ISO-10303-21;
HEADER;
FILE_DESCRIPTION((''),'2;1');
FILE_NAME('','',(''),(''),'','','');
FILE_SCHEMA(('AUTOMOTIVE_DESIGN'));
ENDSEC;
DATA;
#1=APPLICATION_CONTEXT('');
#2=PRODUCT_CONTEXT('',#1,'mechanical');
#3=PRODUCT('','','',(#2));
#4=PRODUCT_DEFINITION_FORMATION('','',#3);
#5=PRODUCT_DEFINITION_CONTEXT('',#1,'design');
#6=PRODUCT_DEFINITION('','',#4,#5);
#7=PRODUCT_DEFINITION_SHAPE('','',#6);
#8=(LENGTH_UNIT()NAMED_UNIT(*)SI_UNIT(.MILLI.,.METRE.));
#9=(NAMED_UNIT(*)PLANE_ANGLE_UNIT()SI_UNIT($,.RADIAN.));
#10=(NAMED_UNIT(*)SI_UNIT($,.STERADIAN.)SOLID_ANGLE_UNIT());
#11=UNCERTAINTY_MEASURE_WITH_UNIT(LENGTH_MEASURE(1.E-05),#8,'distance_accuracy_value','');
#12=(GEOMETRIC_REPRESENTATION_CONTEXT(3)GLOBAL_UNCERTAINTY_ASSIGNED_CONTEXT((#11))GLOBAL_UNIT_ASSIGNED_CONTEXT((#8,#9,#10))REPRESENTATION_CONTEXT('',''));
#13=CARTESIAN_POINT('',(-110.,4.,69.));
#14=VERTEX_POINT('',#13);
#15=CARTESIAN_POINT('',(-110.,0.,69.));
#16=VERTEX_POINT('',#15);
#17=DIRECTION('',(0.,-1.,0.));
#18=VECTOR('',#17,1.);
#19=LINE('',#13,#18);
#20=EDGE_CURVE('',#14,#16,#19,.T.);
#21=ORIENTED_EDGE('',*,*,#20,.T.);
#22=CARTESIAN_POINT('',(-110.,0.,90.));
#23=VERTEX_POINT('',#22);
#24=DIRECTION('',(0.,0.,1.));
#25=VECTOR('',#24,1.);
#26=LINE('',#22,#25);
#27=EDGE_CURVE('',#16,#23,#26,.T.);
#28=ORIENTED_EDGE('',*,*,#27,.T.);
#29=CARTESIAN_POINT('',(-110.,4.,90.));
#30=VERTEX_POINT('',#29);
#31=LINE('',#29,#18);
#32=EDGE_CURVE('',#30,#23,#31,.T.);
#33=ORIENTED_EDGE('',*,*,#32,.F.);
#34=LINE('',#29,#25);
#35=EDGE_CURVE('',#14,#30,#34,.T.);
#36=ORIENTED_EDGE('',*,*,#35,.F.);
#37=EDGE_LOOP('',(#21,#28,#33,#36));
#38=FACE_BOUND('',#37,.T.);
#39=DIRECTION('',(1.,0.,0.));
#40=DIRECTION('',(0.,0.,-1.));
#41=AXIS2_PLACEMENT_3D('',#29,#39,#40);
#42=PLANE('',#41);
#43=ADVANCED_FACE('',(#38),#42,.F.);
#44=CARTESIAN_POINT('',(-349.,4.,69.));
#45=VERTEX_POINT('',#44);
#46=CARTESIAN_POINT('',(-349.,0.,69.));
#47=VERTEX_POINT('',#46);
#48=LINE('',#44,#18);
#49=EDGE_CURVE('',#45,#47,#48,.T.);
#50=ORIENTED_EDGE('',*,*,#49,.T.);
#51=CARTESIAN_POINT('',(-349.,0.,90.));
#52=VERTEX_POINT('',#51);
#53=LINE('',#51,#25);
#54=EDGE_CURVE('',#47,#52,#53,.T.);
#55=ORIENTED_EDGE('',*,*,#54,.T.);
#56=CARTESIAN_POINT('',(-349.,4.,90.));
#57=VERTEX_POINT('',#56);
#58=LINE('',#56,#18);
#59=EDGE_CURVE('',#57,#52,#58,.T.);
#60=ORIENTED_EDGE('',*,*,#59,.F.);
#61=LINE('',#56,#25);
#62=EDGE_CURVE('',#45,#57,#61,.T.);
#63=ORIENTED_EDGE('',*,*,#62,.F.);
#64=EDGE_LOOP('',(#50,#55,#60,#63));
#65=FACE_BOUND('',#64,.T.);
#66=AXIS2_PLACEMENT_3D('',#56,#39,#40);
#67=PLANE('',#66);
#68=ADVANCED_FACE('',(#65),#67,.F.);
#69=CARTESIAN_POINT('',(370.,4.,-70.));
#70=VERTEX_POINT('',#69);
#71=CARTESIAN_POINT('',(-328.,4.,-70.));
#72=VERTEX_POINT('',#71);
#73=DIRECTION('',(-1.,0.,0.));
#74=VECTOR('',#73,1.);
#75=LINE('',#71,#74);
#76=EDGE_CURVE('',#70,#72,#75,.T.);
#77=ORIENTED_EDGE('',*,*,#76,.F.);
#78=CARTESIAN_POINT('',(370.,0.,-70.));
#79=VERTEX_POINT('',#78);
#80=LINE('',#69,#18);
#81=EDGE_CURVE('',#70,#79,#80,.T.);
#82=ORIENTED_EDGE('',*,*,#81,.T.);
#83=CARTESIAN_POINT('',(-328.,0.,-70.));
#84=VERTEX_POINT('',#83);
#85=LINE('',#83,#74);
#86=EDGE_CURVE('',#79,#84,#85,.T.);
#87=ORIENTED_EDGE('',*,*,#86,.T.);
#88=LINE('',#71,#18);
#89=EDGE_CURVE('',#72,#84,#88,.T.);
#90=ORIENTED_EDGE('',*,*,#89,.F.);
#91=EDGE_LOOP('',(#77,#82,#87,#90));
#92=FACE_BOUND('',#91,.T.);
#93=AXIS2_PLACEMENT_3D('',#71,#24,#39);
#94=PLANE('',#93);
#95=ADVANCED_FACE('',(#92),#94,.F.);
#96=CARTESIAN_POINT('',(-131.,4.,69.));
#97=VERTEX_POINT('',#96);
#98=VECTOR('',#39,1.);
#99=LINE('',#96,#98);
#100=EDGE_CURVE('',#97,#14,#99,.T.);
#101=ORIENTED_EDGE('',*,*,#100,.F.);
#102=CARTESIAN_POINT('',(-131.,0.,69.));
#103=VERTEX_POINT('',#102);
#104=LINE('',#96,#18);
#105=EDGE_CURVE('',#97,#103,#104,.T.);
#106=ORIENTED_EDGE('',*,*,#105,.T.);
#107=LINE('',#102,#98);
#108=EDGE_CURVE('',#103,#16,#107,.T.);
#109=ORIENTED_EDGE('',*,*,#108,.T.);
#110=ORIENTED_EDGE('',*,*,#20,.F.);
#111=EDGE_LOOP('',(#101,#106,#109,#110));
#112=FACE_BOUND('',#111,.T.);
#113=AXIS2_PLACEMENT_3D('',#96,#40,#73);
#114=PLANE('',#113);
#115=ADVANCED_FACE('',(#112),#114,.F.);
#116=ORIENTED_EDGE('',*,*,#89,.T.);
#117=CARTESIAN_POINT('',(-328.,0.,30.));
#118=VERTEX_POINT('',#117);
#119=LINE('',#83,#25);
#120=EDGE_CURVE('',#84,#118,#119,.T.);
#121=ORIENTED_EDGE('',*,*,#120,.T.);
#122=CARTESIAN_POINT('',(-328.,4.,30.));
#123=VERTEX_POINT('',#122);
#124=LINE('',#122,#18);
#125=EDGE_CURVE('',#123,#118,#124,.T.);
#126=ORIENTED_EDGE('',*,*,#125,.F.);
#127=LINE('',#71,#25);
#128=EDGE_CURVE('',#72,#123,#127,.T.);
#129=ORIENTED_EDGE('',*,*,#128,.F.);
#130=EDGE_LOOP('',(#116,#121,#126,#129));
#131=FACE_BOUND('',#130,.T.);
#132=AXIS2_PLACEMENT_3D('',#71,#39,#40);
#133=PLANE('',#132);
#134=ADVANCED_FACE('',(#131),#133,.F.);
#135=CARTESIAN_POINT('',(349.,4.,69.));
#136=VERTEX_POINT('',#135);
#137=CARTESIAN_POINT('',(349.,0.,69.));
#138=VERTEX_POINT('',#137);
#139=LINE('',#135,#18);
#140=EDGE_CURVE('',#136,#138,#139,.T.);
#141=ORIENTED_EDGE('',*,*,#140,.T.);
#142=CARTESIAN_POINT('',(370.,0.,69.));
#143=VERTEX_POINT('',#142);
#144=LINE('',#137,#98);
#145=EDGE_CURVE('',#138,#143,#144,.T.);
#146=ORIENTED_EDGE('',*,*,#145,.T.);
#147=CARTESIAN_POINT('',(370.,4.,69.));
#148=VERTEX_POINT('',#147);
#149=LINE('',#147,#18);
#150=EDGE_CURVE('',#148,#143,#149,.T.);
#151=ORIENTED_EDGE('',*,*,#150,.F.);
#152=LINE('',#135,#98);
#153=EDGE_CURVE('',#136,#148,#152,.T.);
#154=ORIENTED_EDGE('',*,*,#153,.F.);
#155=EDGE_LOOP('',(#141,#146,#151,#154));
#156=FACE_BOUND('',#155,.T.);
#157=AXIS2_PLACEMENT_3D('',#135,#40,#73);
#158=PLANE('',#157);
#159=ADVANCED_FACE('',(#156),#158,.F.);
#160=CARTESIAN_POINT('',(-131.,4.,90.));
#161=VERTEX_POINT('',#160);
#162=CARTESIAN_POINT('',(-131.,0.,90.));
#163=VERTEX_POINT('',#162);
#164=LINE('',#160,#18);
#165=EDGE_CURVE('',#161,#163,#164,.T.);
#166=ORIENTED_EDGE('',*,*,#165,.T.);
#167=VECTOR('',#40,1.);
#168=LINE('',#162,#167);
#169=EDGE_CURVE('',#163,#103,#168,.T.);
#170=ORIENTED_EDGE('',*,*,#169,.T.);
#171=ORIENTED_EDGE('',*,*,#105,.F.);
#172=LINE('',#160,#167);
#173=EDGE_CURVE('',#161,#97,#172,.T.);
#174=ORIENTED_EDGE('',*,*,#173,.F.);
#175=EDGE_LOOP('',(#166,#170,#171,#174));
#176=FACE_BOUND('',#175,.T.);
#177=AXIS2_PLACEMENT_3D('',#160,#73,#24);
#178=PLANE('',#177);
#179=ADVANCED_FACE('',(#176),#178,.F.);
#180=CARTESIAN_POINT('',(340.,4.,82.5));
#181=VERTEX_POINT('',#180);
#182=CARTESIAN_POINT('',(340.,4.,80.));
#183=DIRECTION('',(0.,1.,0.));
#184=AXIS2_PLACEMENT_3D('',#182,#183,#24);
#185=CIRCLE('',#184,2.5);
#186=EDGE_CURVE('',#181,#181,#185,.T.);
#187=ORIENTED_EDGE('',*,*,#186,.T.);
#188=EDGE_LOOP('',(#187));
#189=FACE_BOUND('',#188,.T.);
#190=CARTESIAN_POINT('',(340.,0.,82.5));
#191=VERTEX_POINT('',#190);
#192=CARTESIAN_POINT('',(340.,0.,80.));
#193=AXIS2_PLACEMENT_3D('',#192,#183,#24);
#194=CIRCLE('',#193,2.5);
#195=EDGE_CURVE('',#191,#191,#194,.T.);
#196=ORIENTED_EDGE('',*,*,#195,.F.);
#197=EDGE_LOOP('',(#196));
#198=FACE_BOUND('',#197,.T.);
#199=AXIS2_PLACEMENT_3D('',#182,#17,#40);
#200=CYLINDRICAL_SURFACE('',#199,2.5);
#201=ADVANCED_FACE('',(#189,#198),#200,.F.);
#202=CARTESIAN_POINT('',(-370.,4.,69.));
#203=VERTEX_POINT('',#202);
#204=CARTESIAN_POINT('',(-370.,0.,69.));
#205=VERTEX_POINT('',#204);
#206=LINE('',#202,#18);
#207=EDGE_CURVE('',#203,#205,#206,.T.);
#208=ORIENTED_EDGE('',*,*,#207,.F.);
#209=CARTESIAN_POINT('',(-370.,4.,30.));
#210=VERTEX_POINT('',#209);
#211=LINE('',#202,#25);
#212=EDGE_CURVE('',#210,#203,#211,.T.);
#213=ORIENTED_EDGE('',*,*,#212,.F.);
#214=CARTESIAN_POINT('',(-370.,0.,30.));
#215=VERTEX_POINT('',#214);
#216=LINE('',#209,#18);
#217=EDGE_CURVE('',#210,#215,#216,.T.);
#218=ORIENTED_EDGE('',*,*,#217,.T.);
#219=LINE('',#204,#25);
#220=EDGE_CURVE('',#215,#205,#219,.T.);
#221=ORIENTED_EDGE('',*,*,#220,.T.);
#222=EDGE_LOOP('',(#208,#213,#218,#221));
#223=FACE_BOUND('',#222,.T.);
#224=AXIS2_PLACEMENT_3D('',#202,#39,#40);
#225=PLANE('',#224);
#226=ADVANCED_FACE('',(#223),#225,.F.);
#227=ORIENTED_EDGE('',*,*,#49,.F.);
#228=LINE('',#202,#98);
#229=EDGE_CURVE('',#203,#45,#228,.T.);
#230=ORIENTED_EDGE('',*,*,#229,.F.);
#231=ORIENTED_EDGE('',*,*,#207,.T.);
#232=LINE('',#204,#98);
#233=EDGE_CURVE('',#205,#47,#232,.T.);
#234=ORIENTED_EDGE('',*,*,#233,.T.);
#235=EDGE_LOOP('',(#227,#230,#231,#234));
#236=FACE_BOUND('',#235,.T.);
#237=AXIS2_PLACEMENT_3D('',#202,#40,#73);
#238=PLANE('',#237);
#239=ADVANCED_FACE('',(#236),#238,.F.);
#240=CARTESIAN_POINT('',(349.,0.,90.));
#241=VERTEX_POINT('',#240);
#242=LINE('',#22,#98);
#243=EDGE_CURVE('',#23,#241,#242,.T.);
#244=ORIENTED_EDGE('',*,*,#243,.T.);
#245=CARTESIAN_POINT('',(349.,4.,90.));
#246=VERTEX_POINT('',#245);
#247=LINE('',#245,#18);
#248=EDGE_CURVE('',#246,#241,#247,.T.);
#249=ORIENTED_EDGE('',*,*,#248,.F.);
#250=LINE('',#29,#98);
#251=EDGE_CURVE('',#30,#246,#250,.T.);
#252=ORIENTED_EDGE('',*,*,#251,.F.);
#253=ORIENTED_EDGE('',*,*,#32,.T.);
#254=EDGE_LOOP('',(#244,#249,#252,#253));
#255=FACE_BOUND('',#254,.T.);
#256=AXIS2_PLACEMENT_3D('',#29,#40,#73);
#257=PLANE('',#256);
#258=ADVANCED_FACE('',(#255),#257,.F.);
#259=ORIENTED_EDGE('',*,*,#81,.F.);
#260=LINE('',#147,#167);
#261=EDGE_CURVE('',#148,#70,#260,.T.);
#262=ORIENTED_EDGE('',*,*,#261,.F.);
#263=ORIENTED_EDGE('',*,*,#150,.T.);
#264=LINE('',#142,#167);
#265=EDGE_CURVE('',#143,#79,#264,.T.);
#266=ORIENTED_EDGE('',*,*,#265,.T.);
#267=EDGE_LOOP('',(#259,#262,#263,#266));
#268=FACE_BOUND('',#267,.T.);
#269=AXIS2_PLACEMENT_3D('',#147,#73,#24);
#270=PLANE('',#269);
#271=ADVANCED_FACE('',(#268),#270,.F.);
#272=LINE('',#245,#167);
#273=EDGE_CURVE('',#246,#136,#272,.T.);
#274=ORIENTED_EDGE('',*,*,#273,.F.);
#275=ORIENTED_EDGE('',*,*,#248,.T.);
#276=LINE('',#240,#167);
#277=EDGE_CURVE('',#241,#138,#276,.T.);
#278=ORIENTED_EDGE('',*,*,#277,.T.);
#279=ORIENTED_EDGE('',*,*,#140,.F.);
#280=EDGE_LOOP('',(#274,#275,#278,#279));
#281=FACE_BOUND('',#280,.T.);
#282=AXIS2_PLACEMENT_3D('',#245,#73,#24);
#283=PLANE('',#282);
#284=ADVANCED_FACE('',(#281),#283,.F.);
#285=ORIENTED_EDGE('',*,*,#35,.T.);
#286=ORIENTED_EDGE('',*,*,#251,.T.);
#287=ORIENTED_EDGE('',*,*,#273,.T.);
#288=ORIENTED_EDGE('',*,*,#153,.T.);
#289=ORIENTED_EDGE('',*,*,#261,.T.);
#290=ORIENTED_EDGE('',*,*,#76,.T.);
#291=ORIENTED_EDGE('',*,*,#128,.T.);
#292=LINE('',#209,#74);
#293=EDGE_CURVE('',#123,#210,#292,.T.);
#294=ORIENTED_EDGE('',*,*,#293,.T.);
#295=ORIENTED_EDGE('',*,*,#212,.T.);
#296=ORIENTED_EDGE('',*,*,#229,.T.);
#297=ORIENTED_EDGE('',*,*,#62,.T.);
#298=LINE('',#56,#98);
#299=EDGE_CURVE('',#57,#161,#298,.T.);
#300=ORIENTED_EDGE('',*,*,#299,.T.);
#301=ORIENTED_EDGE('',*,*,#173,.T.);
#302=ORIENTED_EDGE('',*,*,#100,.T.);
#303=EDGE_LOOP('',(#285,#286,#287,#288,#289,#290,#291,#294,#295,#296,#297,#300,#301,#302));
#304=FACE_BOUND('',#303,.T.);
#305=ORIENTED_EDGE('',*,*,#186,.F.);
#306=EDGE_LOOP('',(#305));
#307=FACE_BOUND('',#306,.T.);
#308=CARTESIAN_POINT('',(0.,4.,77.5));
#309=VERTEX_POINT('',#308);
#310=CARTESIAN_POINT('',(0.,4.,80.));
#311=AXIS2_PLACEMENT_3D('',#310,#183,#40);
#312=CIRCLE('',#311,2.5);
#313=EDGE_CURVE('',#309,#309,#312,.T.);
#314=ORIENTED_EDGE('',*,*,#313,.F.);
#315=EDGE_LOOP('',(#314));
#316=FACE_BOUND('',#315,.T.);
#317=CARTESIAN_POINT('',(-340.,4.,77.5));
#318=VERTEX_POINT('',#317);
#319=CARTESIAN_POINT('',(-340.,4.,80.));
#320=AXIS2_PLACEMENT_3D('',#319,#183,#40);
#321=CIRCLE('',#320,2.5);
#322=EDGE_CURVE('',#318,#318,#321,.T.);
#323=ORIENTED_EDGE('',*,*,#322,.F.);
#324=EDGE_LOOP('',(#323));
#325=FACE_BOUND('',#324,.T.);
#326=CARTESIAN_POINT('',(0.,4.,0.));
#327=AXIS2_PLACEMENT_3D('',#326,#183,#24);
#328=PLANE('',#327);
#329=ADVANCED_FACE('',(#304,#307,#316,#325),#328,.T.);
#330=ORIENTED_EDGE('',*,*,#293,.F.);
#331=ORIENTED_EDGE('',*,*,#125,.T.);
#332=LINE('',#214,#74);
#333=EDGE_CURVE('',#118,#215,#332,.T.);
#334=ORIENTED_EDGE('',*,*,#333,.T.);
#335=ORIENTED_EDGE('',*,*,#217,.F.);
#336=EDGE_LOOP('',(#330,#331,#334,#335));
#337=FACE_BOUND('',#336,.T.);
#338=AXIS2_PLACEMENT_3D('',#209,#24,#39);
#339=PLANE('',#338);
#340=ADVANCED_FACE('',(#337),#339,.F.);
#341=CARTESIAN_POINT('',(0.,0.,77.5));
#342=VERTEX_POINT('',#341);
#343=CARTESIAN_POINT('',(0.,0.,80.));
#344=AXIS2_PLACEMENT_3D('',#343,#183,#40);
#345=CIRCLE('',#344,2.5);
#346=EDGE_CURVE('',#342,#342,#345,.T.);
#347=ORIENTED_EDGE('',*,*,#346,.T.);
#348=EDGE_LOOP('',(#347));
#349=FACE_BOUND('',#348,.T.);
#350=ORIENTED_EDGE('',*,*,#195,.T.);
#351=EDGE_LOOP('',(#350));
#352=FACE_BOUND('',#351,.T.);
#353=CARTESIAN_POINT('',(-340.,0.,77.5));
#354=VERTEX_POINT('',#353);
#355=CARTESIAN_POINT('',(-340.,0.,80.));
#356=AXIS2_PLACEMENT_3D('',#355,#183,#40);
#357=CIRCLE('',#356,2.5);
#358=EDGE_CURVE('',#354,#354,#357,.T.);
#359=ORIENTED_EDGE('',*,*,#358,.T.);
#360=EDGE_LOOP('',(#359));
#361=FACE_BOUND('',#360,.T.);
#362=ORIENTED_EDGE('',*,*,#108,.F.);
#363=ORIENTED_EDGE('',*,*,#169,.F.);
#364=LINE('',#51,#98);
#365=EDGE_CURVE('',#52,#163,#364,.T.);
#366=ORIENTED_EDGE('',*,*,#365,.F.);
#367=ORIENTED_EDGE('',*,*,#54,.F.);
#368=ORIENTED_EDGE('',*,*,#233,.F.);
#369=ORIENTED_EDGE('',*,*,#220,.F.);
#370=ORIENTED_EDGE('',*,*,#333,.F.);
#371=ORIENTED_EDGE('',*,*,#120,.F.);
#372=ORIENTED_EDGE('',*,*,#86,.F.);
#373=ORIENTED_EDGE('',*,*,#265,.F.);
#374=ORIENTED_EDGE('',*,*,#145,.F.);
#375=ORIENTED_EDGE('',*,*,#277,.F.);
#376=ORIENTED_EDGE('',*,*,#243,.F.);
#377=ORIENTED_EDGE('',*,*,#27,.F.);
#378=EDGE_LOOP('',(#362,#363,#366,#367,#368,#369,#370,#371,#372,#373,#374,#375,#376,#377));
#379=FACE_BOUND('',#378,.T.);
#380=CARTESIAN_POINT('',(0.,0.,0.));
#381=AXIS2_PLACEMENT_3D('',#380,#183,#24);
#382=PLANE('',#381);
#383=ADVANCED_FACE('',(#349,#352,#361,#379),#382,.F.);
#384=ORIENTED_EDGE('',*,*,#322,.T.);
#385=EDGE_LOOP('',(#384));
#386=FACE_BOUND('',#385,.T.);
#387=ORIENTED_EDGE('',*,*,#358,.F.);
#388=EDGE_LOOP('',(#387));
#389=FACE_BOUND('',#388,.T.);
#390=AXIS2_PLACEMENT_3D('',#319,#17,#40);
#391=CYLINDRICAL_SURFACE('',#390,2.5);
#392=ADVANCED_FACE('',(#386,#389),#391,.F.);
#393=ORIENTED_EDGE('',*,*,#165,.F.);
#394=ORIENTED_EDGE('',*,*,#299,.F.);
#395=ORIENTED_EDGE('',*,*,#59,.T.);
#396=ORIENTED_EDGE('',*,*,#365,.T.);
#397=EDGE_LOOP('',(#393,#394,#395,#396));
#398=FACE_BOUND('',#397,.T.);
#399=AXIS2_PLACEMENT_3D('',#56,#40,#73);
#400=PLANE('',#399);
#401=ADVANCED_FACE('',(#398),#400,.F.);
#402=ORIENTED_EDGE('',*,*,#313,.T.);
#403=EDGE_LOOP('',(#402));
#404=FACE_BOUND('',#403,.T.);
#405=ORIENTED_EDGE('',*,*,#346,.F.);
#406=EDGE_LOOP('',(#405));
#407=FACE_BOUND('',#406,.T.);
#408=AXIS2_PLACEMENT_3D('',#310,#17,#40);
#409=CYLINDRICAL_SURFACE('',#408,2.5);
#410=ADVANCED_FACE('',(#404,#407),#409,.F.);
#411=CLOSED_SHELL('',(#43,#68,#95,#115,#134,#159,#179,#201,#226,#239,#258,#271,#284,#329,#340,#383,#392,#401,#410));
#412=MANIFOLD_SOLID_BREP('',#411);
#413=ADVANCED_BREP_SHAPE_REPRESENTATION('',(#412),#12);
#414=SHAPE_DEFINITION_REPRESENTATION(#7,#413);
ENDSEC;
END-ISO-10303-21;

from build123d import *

# Parameters (mm, degrees)
SKETCH1_R           = 2.5
BOSS_EXTRUDE1_DEPTH = 4


with BuildPart() as part:
    # Sketch1 → Boss-Extrude1 (new body)
    with BuildSketch(Plane(origin=(0, 0, 0), x_dir=(1, 0, 0), z_dir=(0, 1, 0))):
        Polygon((-370, -69), (-370, -30), (-328, -30), (-328, 70), (370, 70), (370, -69), (349, -69), (349, -90), (-110, -90), (-110, -69), (-131, -69), (-131, -90), (-349, -90), (-349, -69), align=None)
        with Locations((-340, -80)):
            Circle(SKETCH1_R, mode=Mode.SUBTRACT)
        with Locations((0, -80)):
            Circle(SKETCH1_R, mode=Mode.SUBTRACT)
        with Locations((340, -80)):
            Circle(SKETCH1_R, mode=Mode.SUBTRACT)
    extrude(amount=BOSS_EXTRUDE1_DEPTH)


solid = part.part
